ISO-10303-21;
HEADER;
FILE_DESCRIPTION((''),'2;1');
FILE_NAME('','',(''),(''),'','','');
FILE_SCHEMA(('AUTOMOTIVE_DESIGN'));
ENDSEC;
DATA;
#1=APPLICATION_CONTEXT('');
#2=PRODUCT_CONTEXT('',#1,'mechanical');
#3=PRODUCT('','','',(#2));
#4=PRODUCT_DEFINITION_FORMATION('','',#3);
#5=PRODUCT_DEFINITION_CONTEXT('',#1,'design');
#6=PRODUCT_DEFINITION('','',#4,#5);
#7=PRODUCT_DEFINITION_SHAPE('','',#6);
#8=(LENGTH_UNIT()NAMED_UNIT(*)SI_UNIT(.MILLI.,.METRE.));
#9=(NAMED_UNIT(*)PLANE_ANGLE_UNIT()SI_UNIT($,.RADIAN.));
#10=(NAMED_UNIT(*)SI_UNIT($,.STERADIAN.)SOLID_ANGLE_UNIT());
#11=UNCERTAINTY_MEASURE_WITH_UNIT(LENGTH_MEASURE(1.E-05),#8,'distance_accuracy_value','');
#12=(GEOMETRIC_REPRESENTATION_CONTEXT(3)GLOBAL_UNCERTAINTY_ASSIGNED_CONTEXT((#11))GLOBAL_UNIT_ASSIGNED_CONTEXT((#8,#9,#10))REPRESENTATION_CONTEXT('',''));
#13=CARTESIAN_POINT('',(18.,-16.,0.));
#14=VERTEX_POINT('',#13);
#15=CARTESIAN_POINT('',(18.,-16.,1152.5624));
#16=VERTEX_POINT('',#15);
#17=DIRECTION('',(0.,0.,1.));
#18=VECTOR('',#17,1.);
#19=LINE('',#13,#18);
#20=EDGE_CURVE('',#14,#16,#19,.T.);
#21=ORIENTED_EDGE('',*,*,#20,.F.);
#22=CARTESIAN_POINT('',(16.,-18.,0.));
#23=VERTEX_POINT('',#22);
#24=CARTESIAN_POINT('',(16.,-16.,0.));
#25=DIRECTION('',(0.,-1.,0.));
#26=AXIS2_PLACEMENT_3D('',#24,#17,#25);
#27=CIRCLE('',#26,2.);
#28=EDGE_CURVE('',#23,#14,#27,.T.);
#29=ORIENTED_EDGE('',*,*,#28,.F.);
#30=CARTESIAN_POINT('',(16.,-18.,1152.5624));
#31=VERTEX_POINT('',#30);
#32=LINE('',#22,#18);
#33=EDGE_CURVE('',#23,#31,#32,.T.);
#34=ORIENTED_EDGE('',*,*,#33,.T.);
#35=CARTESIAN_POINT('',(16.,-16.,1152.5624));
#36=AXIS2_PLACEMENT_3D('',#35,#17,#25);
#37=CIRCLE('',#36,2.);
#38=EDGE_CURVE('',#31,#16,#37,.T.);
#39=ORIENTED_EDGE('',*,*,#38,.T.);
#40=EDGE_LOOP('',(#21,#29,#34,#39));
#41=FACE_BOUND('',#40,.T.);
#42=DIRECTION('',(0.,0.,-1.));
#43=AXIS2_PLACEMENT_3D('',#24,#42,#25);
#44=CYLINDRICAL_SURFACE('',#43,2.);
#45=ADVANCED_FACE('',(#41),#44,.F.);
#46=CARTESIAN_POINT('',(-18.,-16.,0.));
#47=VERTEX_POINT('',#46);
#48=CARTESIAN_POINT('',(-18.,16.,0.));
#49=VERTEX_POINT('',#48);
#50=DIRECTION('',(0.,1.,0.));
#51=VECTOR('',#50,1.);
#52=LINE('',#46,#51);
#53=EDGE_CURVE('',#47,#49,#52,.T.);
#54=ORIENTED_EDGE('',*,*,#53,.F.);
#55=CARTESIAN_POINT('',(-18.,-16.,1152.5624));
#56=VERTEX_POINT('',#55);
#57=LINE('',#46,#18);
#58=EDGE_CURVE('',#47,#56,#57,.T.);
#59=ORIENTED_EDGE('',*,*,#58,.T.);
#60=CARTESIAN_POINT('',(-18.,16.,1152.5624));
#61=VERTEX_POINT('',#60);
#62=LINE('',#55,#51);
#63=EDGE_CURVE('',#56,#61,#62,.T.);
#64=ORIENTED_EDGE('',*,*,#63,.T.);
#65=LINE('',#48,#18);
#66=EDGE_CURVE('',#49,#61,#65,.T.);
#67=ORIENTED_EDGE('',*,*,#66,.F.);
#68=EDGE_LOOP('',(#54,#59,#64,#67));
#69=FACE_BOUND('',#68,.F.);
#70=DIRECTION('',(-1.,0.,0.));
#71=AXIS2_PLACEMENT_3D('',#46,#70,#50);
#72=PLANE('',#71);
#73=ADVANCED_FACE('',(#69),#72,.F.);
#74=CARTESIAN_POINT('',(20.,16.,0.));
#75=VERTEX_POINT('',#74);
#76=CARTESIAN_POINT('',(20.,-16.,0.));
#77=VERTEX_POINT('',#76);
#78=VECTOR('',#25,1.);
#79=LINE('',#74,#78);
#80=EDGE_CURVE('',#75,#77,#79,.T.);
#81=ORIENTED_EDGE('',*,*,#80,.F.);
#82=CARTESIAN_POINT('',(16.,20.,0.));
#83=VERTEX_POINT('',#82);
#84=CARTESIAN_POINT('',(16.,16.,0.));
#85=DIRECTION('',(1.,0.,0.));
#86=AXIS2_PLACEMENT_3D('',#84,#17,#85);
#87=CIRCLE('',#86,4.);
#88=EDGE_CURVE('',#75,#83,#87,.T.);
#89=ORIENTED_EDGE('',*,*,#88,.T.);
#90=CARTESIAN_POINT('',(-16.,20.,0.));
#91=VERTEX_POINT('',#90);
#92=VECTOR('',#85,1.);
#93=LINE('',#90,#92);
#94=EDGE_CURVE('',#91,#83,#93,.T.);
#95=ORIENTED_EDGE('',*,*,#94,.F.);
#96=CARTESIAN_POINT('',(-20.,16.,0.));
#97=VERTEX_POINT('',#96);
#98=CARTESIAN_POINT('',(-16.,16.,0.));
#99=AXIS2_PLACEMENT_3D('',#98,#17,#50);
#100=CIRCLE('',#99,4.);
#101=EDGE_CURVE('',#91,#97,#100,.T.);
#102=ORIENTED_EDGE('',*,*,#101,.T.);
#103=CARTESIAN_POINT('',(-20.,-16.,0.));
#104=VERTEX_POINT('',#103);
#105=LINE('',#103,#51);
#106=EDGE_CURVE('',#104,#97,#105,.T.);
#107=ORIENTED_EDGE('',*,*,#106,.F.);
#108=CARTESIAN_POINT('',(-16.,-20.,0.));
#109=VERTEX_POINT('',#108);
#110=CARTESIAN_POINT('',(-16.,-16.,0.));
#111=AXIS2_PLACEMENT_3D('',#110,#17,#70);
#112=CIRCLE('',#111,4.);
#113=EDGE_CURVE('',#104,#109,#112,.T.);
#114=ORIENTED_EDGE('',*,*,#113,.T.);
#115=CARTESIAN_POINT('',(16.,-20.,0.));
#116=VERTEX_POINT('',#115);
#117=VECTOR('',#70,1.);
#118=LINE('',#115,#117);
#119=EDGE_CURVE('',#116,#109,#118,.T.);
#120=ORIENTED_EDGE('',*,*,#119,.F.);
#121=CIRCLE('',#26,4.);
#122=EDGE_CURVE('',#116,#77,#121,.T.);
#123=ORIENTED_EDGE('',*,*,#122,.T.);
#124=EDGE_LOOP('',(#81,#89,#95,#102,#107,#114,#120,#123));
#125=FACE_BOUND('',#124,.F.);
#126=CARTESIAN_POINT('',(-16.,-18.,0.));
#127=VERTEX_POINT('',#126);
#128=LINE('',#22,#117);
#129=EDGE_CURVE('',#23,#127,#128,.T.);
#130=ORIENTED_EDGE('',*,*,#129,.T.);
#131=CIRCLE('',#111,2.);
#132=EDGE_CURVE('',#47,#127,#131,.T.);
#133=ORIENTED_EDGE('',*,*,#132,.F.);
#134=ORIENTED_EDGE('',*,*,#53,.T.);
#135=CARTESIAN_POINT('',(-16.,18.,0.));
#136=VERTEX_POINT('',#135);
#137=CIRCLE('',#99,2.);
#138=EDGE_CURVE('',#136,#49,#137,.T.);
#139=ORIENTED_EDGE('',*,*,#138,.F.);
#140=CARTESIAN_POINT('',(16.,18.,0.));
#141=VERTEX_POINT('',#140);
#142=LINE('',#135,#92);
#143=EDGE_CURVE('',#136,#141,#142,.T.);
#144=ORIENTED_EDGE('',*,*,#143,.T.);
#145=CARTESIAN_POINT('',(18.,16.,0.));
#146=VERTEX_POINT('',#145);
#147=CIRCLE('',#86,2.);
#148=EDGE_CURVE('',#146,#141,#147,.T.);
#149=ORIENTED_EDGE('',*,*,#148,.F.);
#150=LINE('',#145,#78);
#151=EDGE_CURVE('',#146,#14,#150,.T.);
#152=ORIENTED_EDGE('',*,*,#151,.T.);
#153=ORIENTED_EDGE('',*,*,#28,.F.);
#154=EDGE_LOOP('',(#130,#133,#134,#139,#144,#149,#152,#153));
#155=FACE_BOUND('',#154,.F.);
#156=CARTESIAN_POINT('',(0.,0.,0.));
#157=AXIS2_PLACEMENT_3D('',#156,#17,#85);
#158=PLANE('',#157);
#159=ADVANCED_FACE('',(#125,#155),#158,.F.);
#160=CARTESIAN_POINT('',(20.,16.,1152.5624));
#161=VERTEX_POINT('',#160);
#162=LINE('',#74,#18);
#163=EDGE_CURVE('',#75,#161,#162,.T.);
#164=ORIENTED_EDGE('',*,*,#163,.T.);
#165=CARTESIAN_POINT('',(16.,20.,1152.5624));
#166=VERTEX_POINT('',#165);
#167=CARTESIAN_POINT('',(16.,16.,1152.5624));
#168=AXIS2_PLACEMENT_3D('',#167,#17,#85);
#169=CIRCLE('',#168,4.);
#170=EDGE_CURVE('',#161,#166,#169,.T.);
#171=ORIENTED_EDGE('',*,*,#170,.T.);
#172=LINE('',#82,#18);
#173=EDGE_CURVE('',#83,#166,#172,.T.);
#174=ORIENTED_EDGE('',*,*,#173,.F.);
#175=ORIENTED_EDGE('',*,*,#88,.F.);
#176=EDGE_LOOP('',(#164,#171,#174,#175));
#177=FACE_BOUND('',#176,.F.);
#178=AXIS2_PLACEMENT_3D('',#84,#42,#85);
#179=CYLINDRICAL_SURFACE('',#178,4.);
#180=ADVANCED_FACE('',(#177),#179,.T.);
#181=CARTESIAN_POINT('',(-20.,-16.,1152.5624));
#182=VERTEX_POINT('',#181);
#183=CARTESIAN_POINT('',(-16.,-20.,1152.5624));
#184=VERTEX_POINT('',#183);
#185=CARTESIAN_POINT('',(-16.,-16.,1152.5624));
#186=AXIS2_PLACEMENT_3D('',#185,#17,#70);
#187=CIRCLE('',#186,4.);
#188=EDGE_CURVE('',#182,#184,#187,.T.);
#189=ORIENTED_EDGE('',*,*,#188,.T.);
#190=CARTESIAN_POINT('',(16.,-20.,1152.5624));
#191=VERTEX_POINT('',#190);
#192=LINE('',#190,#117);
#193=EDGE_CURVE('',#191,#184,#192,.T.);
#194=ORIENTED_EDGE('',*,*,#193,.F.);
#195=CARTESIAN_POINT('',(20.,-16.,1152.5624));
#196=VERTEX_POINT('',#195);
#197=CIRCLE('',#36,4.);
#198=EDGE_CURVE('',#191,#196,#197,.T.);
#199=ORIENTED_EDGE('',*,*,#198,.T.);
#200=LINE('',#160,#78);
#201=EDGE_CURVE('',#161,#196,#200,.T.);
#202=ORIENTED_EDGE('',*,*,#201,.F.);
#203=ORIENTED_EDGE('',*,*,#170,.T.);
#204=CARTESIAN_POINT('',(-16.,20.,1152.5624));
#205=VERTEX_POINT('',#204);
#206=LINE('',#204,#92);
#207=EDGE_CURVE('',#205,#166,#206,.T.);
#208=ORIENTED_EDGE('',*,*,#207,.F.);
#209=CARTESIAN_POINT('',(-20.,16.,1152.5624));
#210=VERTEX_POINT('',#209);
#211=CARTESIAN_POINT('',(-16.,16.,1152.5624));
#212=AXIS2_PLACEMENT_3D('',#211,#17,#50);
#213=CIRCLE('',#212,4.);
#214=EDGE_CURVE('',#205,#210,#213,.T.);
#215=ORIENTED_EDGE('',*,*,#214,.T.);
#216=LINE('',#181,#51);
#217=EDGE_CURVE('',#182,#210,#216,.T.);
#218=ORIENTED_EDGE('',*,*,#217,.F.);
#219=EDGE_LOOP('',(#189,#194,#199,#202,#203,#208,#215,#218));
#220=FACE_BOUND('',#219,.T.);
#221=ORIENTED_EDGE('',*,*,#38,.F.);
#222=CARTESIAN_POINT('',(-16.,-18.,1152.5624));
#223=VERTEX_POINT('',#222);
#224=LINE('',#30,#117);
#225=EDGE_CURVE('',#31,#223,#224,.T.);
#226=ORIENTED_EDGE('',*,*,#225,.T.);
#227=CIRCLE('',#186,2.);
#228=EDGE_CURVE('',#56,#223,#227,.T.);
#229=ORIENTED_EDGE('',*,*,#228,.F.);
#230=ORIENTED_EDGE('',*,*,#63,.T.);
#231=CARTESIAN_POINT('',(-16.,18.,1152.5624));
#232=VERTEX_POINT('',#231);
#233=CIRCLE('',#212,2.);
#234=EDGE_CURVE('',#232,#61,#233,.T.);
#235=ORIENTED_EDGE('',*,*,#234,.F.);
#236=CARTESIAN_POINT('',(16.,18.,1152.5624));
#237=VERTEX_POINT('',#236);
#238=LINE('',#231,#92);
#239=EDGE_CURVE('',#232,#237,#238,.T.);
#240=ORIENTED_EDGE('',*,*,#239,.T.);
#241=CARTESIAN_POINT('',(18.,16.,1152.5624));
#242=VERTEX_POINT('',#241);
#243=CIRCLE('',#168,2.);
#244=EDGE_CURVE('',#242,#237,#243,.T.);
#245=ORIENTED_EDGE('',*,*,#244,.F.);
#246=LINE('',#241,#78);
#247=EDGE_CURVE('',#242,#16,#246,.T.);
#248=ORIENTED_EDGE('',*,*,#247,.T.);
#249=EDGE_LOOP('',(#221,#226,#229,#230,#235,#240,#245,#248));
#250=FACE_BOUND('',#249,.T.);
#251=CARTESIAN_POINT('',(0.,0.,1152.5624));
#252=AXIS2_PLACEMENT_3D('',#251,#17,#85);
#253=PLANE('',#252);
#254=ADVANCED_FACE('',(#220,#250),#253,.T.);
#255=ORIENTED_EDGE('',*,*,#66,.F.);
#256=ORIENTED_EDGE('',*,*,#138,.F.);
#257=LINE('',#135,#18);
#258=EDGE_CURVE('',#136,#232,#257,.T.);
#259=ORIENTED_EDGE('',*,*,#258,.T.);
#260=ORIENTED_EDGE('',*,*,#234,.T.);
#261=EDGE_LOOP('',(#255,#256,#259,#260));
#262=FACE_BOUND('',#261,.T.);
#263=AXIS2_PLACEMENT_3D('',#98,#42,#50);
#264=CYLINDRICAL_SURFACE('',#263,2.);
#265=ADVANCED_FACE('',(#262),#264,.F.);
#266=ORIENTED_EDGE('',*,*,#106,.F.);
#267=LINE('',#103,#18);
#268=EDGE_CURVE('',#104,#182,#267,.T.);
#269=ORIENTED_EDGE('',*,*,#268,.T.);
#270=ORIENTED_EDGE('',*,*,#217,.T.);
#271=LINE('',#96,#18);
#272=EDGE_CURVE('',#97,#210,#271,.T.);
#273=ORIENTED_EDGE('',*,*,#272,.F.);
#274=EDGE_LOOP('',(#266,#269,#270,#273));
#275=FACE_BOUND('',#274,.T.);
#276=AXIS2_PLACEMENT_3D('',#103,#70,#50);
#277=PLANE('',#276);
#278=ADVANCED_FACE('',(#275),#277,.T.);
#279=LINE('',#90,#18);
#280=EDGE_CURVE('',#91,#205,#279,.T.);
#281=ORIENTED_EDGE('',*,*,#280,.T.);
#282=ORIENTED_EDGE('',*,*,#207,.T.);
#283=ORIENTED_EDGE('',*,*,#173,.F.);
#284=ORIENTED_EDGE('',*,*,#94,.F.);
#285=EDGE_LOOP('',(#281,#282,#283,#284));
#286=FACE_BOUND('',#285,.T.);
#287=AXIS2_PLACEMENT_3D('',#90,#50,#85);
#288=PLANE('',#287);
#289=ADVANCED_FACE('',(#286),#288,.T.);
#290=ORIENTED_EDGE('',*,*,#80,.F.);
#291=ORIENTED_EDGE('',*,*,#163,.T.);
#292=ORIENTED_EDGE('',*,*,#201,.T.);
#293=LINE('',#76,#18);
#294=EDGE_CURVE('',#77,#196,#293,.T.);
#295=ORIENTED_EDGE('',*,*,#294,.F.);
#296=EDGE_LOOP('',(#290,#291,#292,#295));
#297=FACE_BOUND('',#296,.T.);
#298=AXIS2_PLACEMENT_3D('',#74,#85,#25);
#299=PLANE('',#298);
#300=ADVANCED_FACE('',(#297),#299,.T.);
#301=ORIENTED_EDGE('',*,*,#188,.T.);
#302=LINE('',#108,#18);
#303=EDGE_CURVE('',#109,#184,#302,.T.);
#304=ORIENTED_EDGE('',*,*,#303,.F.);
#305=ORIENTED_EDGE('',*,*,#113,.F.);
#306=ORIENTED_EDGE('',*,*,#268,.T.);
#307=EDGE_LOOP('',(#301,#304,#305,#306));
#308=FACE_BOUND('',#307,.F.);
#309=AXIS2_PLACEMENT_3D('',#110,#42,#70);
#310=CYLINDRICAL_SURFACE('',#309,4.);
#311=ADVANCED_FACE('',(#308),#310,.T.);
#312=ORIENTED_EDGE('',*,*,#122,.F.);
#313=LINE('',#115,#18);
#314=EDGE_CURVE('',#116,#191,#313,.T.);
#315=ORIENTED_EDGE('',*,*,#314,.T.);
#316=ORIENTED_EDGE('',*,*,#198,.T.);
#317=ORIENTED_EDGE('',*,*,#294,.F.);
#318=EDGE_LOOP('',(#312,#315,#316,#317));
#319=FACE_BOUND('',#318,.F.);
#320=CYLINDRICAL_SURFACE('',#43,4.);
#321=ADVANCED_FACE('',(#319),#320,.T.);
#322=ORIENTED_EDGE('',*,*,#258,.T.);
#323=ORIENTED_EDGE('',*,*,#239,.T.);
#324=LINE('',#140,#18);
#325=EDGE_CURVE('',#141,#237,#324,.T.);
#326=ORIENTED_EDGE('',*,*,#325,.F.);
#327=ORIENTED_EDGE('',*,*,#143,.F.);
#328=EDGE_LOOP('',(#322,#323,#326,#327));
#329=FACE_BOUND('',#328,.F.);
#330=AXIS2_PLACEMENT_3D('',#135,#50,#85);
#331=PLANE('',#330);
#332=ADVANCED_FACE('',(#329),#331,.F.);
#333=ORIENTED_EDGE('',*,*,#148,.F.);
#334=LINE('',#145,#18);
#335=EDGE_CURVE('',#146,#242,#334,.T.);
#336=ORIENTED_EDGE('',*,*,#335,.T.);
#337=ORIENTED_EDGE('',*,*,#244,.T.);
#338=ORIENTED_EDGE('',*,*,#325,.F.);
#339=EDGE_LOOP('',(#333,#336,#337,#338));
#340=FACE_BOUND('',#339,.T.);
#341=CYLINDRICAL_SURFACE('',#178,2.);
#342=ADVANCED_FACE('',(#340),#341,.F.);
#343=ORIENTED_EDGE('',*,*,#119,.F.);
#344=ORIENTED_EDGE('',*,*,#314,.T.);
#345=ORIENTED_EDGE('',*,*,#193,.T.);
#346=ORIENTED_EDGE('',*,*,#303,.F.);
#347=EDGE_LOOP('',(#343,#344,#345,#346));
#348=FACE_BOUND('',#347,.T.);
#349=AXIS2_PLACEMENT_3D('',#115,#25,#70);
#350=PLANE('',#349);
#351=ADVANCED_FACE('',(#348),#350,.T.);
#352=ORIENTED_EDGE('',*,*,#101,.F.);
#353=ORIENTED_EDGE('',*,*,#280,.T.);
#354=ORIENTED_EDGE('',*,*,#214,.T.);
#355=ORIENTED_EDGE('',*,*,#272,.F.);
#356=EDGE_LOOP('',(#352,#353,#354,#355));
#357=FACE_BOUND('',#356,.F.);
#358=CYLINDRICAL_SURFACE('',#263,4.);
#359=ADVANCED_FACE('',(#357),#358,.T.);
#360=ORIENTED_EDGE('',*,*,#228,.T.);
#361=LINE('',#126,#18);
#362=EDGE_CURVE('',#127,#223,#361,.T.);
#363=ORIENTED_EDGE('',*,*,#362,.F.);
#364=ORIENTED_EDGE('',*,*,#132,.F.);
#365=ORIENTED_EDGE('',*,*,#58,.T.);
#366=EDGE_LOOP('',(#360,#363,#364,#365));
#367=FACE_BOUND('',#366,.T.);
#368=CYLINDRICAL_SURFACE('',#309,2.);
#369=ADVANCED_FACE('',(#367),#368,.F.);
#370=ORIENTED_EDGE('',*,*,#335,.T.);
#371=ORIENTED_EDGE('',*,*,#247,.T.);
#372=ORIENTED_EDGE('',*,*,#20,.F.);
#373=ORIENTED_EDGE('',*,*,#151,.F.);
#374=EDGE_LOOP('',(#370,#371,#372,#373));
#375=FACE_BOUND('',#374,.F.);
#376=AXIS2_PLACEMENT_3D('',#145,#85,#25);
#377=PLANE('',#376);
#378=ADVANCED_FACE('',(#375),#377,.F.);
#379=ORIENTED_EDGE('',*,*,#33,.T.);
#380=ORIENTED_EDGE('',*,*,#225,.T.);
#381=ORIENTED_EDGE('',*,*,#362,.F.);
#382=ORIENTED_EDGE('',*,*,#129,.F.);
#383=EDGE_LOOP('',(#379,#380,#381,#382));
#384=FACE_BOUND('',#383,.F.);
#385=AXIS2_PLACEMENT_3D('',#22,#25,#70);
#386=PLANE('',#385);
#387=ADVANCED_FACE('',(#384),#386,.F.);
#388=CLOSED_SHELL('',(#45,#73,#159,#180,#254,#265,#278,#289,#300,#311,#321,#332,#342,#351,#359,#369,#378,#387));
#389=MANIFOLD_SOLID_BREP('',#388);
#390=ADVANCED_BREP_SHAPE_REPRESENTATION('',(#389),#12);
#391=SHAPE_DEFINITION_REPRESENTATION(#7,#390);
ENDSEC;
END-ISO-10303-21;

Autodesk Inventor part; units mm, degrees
ref_plane "YZ Plane" through (0, 0, 0) normal (1, 0, 0) x (0, 1, 0)
ref_plane "Start Plane" through (0, 0, 0) normal (0, 0, 1) x (1, 0, 0)
ref_plane "End Plane" through (0, 0, 1152.5624) normal (0, 0, 1) x (1, 0, 0)
sketch "Sketch" plane through (0, 0, 0) normal (0, 0, 1) x (1, 0, 0)
  line L0 (-20, -16) -> (-20, 16)
  line L1 (-16, 20) -> (16, 20)
  line L2 (20, 16) -> (20, -16)
  line L3 (16, -20) -> (-16, -20)
  arc A0 (-20, -16) -> (-16, -20) centre (-16, -16) ccw
  arc A1 (20, 16) -> (16, 20) centre (16, 16) ccw
  arc A2 (-16, 20) -> (-20, 16) centre (-16, 16) ccw
  arc A3 (16, -20) -> (20, -16) centre (16, -16) ccw
  arc A4 (-16, 18) -> (-18, 16) centre (-16, 16) ccw
  line L4 (-16, 18) -> (16, 18)
  arc A5 (18, 16) -> (16, 18) centre (16, 16) ccw
  line L5 (18, 16) -> (18, -16)
  arc A6 (16, -18) -> (18, -16) centre (16, -16) ccw
  line L6 (16, -18) -> (-16, -18)
  arc A7 (-18, -16) -> (-16, -18) centre (-16, -16) ccw
  line L7 (-18, -16) -> (-18, 16)
  line L8 (0, 29.1598) -> (0, -29.1598) construction
  line L9 (-29.1598, 0) -> (29.1598, 0) construction
  dimension "d7" = 4
  dimension "d9" = 40
  dimension "d11" = 40
  dimension "d12" = 2
  dimension "d15" = 20
  dimension "d16" = 20
extrude "Body" add sketch "Sketch" along normal up to surface (1152.5624 mm away) from surface at 0
sketch "Sketch3" plane through (0, 0, 0) normal (0, 0, 1) x (1, 0, 0)
  line L0 (0, 0) -> (10, 0)
ref_plane "Work Plane3" through (0, 0, 0) normal (0, -1, 0) x (1, 0, 0)
sketch "Sketch4" plane through (0, 0, 0) normal (0, -1, 0) x (1, 0, 0)
  line L0 (-2, 0) -> (12, 0) projected
  line L1 (-2, 1152.5624) -> (12, 1152.5624) projected
  dimension "d18" = 1152.5624
equation "\"d7\" = G_IR"
equation "\"d9\" = G_W"
equation "\"d11\" = G_H"
equation "\"d12\" = G_T"
equation "\"d15\" = 0.5 * d9"
equation "\"d16\" = 0.5 * d11"
equation "\"d3\" = G_L"
equation "\"G_W\" = 40"
equation "\"G_H\" = 40"
equation "\"G_T\" = 2"
equation "\"G_IR\" = 4"
equation "\"G_L\" = d18"
equation "\"G_OFFSET_START\" = 0"
equation "\"G_OFFSET_END\" = 0"
equation "\"d14\" = G_OFFSET_END + B_L"
equation "\"B_L\" = 1152.56236"
properties part number "ISO 10799-2 - 40x40x2 - 1152,56" material "Steel, Mild"
